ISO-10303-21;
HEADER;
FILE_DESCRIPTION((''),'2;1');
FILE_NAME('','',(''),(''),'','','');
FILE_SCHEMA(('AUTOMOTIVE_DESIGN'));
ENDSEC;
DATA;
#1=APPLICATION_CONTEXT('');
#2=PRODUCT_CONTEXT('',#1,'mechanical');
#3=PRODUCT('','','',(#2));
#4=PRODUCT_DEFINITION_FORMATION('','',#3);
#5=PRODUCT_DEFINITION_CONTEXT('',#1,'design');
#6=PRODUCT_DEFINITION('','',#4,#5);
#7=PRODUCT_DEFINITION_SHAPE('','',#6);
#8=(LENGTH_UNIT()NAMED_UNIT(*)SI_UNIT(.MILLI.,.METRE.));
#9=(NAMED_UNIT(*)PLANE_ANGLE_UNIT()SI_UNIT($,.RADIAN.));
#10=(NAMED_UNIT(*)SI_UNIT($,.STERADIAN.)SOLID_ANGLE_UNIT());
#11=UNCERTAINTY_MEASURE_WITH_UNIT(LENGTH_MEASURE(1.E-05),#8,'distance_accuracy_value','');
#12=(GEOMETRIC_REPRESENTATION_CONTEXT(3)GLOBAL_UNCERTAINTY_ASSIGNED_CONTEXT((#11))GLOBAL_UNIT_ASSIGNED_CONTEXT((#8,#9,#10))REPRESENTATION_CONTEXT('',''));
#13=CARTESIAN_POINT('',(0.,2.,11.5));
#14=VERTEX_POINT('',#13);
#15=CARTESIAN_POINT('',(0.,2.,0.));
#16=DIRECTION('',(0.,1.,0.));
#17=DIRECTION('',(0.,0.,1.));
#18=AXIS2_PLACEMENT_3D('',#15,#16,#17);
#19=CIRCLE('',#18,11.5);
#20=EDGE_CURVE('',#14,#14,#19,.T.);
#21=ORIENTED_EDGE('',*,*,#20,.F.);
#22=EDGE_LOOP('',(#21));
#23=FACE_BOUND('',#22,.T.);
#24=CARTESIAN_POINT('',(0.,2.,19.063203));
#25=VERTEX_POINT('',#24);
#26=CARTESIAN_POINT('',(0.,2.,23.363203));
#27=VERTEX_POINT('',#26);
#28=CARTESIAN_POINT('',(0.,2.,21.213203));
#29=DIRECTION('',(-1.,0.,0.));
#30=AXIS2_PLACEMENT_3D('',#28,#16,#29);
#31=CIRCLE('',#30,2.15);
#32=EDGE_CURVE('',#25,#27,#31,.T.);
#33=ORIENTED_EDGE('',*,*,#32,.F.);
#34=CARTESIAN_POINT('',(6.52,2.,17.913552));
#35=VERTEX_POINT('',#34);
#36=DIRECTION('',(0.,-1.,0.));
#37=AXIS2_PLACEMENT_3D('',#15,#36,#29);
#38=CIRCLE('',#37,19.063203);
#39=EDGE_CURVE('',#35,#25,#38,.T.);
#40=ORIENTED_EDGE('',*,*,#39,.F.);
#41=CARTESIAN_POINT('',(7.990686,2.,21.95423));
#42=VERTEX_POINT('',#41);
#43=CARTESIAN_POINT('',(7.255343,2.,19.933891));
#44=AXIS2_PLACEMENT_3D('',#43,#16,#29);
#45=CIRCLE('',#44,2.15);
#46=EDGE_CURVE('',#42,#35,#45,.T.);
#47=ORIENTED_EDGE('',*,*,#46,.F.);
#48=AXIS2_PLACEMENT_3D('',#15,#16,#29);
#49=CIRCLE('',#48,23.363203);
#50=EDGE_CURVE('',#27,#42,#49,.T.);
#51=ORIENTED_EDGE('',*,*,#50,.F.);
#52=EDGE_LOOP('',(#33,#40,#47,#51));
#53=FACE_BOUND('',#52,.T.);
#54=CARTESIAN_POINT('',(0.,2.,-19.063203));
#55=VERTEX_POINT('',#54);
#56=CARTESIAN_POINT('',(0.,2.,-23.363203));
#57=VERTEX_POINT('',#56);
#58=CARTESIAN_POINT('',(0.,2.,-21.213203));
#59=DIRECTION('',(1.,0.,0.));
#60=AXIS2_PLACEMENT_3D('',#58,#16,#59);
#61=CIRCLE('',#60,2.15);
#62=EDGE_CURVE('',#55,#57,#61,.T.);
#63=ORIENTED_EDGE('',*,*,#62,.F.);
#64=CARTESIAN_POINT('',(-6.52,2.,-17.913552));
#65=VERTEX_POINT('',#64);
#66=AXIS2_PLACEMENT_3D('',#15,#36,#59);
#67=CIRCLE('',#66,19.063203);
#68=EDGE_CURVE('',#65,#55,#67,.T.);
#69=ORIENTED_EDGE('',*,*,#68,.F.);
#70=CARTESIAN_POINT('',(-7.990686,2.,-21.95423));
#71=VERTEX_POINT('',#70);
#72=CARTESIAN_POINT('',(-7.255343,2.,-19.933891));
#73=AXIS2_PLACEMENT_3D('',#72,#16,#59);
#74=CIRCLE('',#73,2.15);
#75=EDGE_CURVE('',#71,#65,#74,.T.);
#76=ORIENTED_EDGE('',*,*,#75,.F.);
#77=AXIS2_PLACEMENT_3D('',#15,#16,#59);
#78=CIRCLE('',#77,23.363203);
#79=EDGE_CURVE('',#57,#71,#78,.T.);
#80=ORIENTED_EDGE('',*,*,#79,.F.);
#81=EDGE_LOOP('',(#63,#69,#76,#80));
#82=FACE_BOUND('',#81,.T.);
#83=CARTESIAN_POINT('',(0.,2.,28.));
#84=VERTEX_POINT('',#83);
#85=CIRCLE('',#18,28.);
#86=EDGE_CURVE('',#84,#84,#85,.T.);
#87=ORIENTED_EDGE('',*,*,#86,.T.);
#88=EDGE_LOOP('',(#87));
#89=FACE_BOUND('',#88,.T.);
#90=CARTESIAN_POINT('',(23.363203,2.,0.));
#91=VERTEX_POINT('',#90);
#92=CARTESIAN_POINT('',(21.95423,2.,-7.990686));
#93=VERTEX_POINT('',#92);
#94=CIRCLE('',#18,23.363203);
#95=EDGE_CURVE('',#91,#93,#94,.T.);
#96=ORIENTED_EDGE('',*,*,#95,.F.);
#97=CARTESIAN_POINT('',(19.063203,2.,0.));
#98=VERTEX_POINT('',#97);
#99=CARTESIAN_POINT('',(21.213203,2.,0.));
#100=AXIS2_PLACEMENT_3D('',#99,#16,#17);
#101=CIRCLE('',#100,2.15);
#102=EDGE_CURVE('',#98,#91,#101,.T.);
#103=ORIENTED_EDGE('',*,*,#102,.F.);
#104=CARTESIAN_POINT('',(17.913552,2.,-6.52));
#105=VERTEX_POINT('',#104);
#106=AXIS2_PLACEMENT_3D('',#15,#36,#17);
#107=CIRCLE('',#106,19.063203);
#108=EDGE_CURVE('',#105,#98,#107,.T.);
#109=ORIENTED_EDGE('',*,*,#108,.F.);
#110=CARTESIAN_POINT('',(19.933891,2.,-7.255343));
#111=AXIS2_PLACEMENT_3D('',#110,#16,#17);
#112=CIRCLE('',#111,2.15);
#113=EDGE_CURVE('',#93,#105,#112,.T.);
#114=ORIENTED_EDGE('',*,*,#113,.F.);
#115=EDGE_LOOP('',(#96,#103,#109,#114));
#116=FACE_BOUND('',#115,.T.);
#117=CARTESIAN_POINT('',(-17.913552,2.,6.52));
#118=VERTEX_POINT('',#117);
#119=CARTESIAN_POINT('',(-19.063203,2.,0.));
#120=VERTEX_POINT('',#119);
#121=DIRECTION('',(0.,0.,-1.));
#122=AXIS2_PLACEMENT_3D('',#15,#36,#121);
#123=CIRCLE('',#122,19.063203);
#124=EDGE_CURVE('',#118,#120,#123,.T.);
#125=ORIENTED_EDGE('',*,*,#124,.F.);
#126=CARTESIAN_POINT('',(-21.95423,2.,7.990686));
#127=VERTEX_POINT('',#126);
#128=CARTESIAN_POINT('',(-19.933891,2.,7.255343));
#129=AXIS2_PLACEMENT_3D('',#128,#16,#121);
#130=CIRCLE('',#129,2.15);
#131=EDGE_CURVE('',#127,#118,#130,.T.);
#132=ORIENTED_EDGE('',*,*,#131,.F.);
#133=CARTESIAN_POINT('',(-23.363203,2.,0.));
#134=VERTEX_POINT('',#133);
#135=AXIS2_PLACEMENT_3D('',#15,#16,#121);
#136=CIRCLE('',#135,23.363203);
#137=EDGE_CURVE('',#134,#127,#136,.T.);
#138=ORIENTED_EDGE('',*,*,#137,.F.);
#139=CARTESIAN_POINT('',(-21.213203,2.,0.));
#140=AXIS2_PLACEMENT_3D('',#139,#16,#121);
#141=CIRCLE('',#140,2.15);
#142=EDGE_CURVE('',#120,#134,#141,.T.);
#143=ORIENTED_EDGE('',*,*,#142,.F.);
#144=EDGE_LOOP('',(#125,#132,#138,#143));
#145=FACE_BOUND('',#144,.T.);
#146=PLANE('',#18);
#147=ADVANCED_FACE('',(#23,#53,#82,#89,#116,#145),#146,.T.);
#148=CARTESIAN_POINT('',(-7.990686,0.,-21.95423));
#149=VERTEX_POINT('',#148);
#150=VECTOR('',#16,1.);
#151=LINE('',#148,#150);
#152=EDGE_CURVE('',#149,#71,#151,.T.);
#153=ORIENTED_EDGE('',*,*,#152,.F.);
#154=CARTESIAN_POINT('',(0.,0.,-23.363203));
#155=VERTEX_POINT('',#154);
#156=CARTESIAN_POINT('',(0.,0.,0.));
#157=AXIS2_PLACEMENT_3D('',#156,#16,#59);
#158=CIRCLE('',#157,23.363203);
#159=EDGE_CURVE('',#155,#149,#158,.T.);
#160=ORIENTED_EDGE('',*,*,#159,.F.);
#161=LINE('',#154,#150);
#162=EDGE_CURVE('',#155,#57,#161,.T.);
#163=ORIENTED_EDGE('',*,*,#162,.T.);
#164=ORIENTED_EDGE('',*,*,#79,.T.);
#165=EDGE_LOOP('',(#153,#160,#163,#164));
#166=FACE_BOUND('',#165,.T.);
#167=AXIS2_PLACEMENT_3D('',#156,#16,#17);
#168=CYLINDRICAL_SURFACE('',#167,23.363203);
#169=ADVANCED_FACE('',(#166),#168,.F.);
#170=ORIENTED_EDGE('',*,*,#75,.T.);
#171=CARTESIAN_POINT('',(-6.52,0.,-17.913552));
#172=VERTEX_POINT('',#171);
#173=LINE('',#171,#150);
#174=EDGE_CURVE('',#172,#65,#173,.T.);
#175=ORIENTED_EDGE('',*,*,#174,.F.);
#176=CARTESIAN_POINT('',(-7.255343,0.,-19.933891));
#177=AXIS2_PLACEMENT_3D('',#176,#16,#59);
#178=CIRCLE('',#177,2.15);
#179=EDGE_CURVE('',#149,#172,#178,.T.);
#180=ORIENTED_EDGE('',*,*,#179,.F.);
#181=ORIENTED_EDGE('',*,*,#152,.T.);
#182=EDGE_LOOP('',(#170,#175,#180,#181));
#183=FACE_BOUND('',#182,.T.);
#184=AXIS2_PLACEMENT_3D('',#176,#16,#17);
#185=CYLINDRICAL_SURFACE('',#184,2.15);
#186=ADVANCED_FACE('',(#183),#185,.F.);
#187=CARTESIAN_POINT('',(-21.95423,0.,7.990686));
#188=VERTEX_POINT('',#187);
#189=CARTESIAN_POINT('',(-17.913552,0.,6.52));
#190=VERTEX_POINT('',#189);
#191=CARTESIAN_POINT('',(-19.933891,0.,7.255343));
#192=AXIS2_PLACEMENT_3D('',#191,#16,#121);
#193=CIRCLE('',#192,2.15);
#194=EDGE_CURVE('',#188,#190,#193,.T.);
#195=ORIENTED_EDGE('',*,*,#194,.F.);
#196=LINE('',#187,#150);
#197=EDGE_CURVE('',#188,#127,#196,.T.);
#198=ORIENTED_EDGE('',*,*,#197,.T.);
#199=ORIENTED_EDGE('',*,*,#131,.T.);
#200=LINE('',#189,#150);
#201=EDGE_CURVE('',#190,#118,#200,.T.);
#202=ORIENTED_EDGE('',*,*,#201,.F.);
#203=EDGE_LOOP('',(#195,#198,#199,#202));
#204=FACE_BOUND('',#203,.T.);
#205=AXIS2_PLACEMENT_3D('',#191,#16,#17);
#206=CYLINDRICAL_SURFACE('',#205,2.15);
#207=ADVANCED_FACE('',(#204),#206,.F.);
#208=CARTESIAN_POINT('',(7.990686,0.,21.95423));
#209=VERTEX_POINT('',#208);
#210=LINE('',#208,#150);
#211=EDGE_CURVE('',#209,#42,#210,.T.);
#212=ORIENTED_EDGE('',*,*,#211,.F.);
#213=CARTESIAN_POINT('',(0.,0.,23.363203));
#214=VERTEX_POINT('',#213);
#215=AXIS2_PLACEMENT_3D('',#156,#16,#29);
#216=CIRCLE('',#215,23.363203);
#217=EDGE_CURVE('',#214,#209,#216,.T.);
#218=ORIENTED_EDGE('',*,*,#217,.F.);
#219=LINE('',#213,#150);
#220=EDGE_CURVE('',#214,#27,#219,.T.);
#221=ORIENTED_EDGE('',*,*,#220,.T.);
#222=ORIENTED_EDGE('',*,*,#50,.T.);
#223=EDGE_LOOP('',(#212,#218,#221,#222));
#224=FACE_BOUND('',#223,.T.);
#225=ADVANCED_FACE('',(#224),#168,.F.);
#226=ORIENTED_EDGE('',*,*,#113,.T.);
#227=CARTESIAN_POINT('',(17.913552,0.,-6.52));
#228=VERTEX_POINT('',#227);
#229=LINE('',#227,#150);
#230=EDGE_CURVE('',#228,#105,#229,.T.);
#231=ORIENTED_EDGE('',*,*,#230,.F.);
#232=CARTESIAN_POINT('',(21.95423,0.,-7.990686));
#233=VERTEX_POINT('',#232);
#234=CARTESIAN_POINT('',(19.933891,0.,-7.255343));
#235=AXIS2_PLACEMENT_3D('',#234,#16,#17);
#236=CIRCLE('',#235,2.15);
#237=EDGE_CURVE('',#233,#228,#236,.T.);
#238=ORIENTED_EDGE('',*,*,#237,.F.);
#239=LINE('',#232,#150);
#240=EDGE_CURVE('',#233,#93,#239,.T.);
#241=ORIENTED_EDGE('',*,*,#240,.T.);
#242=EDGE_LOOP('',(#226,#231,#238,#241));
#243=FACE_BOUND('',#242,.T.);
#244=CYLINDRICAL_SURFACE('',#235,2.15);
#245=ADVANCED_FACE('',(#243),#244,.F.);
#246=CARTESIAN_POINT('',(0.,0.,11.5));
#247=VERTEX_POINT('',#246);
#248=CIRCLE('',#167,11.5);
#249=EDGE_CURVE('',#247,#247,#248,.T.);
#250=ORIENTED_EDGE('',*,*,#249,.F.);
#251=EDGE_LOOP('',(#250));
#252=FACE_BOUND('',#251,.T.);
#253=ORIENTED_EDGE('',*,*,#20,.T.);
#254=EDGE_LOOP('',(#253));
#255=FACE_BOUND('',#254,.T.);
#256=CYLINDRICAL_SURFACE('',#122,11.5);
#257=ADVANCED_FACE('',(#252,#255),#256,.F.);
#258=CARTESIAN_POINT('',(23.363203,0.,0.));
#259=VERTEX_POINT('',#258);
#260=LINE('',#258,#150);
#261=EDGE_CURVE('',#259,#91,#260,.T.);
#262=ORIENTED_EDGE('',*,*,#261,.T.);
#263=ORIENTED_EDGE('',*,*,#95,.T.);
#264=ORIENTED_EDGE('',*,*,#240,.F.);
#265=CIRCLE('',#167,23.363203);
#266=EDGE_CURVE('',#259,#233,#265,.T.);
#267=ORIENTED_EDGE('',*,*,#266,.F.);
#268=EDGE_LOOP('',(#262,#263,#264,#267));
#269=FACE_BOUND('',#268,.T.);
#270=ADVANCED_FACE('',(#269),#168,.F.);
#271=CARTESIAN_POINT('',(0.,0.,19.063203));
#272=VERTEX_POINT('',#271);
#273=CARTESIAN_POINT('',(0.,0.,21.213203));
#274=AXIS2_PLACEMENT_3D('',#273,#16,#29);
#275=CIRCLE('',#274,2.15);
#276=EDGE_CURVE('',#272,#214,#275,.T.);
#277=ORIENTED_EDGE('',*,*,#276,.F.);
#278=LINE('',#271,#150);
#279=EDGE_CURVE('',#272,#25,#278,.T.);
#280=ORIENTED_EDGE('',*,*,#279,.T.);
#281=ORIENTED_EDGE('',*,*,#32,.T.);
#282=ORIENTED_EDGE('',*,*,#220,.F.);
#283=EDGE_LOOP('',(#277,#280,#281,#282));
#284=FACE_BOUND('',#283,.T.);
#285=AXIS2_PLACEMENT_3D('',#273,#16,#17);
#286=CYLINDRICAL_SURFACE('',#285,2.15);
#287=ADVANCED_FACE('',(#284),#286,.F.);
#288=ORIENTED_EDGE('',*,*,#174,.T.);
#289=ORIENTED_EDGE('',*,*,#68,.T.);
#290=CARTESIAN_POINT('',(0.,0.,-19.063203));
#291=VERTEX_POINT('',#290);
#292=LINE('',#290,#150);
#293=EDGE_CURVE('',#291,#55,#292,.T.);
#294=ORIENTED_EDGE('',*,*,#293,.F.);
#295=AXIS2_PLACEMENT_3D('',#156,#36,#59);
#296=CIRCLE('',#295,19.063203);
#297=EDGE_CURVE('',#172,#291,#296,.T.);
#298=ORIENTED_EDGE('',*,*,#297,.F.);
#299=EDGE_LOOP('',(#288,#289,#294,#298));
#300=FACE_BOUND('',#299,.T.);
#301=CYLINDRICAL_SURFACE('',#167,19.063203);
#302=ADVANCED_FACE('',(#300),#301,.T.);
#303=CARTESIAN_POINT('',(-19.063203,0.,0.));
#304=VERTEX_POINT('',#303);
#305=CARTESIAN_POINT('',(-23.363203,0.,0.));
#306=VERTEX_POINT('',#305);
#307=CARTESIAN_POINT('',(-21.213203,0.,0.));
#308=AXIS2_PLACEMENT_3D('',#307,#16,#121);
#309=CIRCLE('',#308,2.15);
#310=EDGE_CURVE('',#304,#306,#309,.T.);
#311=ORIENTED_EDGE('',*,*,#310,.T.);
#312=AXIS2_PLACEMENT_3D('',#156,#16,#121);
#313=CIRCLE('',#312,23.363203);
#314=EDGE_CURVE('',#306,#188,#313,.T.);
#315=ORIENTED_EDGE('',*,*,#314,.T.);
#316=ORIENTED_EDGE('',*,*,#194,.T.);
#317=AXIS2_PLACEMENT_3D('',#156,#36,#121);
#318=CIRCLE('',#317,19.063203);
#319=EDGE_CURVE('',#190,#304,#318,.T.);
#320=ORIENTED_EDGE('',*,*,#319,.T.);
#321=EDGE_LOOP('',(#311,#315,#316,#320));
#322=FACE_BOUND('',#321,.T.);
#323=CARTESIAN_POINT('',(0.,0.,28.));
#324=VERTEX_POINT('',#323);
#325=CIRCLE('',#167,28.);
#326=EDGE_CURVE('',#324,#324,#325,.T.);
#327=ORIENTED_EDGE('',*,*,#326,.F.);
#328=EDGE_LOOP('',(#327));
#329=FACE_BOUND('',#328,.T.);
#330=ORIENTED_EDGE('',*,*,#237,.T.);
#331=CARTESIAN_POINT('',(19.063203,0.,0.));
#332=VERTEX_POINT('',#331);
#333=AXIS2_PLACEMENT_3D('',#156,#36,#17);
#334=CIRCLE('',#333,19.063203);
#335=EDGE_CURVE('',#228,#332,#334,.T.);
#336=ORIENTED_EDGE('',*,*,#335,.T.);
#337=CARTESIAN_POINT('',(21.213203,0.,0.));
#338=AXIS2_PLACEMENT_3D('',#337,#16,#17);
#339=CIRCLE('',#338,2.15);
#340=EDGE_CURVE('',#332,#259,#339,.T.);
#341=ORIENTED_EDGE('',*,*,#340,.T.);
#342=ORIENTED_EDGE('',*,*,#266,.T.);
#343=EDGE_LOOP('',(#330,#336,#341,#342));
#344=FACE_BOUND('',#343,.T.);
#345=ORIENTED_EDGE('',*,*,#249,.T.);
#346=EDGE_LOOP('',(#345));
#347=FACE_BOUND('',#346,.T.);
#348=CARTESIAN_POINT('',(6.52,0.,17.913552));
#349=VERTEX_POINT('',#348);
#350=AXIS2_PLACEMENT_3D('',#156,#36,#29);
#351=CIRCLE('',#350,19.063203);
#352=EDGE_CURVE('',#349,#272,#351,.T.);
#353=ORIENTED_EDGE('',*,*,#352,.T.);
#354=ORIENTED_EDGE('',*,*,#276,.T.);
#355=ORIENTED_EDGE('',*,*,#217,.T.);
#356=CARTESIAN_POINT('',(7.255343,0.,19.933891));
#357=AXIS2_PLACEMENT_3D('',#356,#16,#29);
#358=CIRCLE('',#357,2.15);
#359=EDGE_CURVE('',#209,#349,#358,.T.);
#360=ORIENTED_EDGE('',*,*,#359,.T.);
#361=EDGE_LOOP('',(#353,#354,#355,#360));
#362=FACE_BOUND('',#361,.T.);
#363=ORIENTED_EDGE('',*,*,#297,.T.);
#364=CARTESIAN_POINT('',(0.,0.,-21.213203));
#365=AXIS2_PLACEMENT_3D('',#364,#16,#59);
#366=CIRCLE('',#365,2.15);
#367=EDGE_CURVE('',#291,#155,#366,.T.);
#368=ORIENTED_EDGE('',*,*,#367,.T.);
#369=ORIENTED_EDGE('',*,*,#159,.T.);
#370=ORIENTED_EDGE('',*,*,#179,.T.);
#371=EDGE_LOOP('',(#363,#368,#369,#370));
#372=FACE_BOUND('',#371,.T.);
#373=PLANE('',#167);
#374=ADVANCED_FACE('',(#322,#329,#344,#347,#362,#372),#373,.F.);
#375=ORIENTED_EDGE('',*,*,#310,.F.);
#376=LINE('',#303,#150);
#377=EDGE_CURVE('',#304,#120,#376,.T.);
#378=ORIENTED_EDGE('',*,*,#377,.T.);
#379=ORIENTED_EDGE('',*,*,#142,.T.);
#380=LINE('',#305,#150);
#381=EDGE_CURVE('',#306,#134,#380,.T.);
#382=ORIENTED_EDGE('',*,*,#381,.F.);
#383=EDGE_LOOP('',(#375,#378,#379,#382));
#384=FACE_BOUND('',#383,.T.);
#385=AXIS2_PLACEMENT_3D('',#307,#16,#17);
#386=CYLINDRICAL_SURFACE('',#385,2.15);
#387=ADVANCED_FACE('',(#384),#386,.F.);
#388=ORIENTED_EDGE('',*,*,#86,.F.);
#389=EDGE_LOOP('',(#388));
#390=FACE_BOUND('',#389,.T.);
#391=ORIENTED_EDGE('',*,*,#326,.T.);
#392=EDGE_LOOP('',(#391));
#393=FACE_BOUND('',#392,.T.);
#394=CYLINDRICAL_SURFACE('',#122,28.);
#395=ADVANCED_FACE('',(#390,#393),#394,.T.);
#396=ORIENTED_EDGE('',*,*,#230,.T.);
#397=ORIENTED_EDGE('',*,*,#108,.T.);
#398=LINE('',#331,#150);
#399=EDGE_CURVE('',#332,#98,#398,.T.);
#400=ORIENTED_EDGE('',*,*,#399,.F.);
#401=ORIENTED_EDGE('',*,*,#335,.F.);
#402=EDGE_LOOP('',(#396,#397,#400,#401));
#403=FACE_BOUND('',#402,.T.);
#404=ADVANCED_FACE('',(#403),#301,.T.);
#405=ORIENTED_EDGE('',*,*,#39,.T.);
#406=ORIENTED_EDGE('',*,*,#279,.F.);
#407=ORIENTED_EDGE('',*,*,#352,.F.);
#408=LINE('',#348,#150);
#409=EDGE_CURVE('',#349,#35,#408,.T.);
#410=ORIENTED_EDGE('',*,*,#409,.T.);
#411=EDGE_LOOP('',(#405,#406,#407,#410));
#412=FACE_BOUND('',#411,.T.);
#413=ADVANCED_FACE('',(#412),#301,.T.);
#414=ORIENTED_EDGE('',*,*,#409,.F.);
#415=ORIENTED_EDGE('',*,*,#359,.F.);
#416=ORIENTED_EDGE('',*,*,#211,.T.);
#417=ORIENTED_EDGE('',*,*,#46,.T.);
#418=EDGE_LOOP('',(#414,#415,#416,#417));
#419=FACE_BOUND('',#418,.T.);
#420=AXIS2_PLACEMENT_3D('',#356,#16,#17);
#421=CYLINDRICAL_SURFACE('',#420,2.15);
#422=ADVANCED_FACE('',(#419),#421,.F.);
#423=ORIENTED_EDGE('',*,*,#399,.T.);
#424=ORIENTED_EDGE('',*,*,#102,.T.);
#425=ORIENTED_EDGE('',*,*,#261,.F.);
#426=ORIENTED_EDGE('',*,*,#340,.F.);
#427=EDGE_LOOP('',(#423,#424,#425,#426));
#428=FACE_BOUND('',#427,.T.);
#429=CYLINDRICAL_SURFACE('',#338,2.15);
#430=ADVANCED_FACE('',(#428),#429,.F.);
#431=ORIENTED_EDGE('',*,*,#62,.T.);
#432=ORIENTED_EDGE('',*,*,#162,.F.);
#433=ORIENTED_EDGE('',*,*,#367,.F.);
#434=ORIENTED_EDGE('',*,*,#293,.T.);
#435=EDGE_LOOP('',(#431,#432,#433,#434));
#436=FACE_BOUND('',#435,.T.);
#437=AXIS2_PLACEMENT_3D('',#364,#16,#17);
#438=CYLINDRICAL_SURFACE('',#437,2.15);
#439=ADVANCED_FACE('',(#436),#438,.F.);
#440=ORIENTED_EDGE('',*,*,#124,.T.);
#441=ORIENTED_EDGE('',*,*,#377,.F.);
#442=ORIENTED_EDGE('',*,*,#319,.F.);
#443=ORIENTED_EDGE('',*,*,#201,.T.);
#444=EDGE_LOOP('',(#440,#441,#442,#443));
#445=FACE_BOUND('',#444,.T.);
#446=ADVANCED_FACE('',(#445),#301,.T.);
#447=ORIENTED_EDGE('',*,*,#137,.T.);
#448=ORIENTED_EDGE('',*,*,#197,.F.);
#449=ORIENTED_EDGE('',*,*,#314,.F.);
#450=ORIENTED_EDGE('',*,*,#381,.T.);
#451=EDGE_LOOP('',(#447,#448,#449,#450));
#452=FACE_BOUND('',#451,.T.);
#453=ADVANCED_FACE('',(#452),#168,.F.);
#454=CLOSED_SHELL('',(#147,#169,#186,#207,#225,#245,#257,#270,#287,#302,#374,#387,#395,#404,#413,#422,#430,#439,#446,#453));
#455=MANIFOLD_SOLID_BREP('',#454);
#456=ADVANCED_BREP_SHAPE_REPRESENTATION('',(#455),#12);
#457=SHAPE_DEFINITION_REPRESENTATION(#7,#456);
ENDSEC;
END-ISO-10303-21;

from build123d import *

# Parameters (mm, degrees)
SKETCH1_R           = 28
SKETCH1_R_2         = 11.5
BOSS_EXTRUDE1_DEPTH = 2
CUT_EXTRUDE1_DEPTH  = 3
CIRPATTERN1_COUNT   = 4


with BuildPart() as part:
    # Sketch1 → Boss-Extrude1 (new body)
    with BuildSketch(Plane(origin=(0, 0, 0), x_dir=(1, 0, 0), z_dir=(0, 1, 0))):
        Circle(SKETCH1_R)
        Circle(SKETCH1_R_2, mode=Mode.SUBTRACT)
    extrude(amount=BOSS_EXTRUDE1_DEPTH)

    # Sketch2 → Cut-Extrude1 (cut, through all)
    with BuildSketch(Plane(origin=(0, 2, 0), x_dir=(1, 0, 0), z_dir=(0, 1, 0))):
        with BuildLine():
            ThreePointArc((21.954229866, 7.990686188), (19.198547424, 9.275682014), (17.913551597, 6.519999571))
            ThreePointArc((17.913551597, 6.519999571), (18.773590541, 3.310290537), (19.063203436, 0))
            ThreePointArc((19.063203436, 0), (21.213203436, -2.15), (23.363203436, 0))
            ThreePointArc((23.363203436, 0), (23.008263879, 4.056977701), (21.954229866, 7.990686188))
        make_face()
    cut_extrude1 = extrude(amount=-CUT_EXTRUDE1_DEPTH, mode=Mode.SUBTRACT)

    # CirPattern1: Cut-Extrude1 ×4 about axis
    cirpattern1_axis = Axis((0, 0, 0), (0, 1, 0))
    for i in range(1, CIRPATTERN1_COUNT):
        add(cut_extrude1.rotate(cirpattern1_axis, i * 360 / CIRPATTERN1_COUNT), mode=Mode.SUBTRACT)


solid = part.part
